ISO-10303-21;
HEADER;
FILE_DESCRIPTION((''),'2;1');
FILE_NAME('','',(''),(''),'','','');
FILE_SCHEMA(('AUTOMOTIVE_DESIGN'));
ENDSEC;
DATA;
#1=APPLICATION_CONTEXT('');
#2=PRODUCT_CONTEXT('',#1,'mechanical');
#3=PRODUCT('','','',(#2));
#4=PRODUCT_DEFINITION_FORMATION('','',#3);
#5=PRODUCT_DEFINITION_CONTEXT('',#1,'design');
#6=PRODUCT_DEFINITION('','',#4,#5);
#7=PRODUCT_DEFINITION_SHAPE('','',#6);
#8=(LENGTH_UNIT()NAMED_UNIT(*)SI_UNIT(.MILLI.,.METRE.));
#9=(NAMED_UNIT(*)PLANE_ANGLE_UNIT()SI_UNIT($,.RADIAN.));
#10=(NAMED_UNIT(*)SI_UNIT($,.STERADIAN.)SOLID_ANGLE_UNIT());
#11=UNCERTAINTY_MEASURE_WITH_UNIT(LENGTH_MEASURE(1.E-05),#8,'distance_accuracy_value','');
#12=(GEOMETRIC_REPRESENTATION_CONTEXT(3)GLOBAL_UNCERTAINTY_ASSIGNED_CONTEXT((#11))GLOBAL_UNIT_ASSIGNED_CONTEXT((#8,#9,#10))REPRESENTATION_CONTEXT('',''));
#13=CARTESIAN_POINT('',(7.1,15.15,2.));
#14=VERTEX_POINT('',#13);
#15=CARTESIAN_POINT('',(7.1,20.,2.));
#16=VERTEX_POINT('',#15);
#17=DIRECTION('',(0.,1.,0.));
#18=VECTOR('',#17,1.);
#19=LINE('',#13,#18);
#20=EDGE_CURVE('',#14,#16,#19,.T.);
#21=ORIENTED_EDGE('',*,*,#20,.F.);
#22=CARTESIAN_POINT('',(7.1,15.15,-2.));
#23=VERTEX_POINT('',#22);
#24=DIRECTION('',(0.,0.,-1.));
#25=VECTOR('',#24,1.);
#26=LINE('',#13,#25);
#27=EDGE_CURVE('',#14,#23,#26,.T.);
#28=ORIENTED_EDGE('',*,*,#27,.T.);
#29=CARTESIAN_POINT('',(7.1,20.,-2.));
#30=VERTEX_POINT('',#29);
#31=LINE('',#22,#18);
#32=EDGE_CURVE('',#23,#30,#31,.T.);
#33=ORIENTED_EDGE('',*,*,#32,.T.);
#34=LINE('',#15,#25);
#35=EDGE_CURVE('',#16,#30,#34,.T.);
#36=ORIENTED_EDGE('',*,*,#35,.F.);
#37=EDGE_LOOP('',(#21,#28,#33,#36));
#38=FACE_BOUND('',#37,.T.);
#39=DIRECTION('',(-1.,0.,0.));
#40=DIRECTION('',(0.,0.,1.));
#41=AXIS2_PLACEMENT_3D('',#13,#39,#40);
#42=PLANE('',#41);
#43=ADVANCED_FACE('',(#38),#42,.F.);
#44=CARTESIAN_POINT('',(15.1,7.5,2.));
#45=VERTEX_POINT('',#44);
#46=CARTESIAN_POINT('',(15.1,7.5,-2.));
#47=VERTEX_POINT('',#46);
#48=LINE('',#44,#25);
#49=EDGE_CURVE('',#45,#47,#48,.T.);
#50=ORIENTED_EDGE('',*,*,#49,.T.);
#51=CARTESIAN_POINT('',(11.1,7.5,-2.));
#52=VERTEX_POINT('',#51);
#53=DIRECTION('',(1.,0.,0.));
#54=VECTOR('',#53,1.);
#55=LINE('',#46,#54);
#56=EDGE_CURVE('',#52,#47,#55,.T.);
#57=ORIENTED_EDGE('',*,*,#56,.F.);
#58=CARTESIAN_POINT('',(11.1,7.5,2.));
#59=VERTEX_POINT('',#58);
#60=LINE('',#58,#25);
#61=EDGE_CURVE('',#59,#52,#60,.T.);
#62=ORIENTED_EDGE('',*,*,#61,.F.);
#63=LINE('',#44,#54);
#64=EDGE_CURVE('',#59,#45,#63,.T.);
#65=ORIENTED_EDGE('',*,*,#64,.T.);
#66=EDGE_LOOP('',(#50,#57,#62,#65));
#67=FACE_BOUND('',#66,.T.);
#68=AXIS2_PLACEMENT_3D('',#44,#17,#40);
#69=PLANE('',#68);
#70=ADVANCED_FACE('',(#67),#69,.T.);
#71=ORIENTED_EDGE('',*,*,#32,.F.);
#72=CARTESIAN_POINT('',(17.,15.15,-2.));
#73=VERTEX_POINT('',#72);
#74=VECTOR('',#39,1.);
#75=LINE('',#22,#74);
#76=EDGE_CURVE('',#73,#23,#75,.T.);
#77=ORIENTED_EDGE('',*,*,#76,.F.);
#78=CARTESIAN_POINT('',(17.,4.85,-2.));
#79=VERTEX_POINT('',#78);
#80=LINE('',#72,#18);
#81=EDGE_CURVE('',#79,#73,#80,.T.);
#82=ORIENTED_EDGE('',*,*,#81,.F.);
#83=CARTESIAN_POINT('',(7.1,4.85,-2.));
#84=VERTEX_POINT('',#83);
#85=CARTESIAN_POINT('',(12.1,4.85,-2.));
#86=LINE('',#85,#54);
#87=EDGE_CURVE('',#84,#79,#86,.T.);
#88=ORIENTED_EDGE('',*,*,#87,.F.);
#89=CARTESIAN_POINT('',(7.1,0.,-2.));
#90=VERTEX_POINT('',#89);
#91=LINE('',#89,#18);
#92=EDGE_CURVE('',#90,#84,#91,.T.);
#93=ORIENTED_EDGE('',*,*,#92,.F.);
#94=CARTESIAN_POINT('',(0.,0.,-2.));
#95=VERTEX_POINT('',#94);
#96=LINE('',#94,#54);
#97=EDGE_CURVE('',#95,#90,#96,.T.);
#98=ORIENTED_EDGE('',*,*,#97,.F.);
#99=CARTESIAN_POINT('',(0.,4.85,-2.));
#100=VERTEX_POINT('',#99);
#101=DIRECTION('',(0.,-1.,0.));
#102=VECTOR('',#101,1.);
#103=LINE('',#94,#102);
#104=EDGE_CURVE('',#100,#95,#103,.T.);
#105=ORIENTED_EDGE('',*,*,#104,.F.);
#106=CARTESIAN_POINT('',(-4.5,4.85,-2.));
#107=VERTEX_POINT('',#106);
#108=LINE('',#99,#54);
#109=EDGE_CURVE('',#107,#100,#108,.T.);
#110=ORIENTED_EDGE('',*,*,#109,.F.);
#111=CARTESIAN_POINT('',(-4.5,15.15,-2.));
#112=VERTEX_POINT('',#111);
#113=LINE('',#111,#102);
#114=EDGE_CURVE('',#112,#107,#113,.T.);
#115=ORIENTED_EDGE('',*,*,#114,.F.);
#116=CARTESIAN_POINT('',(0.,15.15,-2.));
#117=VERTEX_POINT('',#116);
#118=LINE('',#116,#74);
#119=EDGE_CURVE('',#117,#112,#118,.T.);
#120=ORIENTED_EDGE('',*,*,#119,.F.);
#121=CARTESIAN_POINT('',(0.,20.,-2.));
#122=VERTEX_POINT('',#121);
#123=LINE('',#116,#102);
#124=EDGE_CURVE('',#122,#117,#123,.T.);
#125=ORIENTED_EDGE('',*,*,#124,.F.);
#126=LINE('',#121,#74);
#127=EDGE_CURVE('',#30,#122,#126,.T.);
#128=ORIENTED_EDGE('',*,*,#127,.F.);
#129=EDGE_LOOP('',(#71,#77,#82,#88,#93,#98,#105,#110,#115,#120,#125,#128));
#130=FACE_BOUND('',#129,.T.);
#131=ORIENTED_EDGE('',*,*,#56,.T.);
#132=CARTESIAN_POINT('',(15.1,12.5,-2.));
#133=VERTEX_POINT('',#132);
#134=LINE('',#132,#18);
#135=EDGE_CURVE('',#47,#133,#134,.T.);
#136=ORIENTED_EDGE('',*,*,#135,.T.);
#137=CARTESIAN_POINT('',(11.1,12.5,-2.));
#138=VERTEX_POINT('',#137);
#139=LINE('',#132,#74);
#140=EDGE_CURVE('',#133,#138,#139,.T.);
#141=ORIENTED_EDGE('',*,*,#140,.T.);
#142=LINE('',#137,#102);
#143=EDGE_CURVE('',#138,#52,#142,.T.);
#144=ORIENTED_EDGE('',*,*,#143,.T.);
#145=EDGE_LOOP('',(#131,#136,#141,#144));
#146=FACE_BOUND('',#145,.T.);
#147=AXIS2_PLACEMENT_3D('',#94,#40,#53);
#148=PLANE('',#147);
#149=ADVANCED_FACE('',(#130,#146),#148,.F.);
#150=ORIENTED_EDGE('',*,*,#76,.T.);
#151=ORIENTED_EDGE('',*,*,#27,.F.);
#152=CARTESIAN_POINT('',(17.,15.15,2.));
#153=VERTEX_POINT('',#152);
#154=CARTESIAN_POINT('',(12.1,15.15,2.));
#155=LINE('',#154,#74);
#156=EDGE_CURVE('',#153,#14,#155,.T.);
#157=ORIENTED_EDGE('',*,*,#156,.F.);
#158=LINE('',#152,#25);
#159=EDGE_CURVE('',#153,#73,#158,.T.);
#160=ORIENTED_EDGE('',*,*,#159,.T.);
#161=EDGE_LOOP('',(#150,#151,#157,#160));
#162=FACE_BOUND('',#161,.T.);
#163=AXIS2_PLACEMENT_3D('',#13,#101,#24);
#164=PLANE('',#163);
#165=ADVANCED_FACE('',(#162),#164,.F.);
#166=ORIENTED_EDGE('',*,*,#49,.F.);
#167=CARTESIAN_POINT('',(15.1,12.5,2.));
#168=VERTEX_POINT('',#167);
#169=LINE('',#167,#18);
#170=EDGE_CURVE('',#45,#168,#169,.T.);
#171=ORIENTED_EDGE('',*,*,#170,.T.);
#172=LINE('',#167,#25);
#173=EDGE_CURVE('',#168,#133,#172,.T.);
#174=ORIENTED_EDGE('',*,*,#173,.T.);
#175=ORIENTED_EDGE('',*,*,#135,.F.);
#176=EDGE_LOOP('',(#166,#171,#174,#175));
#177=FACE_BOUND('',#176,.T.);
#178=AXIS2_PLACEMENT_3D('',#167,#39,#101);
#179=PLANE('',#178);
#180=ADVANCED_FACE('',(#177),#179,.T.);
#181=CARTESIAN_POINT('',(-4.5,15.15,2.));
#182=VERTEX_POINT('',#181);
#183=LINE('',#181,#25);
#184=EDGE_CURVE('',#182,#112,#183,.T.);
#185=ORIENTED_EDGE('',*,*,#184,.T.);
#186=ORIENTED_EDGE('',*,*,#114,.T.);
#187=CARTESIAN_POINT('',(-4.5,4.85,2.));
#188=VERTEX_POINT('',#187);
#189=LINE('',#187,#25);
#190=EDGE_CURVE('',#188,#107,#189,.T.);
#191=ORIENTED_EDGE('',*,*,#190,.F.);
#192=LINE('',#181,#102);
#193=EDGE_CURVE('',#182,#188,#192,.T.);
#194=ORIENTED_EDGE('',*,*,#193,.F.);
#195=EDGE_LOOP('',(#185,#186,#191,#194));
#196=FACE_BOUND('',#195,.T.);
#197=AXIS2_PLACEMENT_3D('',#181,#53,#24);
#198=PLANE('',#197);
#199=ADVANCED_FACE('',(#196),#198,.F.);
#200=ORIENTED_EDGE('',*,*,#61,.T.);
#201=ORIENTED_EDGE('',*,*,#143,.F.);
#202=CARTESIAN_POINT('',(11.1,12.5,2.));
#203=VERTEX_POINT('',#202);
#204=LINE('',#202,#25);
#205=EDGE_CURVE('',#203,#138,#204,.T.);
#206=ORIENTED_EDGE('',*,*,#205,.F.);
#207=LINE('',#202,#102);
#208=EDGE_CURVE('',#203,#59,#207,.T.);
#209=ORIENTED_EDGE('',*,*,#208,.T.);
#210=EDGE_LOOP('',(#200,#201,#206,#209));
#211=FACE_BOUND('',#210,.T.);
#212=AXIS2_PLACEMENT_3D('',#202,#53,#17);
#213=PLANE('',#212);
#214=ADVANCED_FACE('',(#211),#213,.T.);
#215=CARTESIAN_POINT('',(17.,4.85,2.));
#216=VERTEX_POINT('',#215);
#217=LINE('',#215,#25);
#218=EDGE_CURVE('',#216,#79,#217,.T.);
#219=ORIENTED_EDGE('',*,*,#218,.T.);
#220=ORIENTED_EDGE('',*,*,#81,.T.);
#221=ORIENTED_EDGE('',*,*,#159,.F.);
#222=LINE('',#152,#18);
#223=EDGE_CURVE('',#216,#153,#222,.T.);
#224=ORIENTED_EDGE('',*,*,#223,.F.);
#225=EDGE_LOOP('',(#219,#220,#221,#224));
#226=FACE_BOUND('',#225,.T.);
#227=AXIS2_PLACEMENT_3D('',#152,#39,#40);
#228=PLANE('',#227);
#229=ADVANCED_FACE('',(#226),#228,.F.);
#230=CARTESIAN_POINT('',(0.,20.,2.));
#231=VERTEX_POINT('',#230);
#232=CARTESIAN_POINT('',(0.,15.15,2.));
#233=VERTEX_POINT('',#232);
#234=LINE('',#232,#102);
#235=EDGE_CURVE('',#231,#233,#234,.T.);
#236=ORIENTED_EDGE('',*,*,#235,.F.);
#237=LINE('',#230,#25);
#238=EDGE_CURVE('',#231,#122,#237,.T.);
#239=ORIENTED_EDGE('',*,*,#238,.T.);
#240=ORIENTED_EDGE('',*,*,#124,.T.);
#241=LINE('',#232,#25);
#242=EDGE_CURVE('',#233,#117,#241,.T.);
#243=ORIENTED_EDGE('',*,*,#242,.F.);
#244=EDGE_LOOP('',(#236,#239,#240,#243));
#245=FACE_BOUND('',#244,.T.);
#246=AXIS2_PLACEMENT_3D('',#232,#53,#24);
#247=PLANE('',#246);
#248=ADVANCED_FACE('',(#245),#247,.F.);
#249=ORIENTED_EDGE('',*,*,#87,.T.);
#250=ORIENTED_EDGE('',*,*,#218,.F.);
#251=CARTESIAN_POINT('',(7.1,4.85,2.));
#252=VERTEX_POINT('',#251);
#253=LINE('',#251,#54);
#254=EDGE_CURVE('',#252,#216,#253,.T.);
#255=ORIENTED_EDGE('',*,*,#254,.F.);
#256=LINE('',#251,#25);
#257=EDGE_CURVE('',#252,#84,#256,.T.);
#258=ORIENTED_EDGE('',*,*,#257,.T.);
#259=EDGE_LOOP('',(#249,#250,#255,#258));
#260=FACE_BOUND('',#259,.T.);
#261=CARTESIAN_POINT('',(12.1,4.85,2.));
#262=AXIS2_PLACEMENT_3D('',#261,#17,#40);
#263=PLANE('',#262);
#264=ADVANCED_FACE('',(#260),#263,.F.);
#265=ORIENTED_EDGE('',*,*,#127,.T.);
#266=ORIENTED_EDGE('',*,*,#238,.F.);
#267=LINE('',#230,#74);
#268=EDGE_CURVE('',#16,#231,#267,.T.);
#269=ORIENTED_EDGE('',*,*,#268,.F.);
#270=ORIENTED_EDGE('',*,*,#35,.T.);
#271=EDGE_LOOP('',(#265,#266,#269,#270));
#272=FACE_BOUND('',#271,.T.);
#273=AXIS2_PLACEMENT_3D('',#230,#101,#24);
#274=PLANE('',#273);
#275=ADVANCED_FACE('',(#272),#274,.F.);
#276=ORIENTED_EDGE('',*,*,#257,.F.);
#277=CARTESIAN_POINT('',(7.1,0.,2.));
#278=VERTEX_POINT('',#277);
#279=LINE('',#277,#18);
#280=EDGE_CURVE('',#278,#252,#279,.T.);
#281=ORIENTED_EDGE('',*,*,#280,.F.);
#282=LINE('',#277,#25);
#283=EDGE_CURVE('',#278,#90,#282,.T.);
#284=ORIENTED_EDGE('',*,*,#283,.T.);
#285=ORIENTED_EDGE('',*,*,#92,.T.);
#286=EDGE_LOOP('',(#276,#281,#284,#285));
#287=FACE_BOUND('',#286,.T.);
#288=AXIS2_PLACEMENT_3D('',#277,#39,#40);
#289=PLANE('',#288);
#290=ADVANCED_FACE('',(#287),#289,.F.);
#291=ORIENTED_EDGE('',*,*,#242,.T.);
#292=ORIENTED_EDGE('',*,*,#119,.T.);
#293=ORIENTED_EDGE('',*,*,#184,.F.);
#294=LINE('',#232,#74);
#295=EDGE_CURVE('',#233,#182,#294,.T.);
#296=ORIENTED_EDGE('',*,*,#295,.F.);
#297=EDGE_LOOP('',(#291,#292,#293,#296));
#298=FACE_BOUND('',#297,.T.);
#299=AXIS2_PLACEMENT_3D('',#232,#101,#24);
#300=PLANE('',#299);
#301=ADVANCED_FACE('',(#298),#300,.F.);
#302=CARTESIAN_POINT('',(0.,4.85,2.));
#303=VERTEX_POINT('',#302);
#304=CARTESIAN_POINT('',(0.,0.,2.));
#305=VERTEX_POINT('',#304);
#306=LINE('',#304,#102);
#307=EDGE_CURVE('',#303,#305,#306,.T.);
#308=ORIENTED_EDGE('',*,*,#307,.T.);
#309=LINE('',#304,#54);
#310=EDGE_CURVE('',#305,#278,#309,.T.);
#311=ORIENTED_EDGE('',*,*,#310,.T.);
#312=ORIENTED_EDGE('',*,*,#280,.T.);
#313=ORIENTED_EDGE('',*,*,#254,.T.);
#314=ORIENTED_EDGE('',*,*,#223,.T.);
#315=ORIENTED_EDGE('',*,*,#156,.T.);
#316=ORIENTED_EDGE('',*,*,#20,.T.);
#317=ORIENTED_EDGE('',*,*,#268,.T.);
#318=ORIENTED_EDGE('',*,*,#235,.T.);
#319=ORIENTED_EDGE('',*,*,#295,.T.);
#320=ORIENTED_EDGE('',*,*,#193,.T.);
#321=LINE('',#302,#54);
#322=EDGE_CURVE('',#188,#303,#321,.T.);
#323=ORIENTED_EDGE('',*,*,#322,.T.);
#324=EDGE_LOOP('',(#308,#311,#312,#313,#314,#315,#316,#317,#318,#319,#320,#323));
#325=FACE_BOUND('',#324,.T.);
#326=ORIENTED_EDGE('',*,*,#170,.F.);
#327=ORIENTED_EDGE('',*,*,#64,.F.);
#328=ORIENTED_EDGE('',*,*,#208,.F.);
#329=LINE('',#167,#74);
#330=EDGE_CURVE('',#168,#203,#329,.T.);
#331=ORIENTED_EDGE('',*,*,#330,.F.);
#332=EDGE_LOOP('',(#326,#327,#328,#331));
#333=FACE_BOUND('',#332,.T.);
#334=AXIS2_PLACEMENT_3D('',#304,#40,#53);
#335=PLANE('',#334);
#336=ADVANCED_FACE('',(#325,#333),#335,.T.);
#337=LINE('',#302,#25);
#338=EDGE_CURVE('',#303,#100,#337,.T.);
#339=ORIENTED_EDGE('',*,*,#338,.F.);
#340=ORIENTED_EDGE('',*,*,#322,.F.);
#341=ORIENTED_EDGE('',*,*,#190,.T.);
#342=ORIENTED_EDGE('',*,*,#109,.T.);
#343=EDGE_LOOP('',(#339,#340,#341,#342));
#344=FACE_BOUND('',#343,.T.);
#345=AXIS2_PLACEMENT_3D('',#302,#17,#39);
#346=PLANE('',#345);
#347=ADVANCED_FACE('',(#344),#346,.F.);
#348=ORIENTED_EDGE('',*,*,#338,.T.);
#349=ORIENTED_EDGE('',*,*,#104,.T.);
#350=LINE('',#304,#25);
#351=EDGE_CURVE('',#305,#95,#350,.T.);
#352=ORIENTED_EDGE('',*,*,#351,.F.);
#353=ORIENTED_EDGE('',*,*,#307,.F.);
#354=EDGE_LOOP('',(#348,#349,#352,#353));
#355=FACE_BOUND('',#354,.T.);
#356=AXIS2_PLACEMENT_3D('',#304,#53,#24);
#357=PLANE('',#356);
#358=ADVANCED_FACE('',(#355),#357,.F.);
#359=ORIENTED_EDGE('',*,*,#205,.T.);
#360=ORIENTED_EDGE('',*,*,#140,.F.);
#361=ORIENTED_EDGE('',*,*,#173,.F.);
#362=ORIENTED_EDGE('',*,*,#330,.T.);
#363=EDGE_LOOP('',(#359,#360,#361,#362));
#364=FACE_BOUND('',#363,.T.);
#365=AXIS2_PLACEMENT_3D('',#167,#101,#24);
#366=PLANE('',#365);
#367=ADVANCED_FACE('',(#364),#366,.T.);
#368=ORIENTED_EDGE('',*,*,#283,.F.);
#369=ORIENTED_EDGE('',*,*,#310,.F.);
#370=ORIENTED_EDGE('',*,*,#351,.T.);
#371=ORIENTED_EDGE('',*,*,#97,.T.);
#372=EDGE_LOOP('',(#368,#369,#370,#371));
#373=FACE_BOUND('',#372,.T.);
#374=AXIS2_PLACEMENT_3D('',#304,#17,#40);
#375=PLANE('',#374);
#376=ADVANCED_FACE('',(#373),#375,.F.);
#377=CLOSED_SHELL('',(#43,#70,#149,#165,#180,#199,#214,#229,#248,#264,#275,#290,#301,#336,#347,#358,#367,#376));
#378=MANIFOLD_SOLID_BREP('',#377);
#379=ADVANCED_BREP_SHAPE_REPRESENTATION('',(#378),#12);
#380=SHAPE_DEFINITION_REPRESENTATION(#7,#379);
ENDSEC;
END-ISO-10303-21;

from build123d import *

# Parameters (mm, degrees)
SKETCH_1_W      = 4
SKETCH_1_H      = 5
EXTRUDE_1_DEPTH = 2


with BuildPart() as part:
    # 草图1 → 凸台-拉伸1 (new, symmetric)
    with BuildSketch(Plane.XY):
        Polygon((0, 15.15), (0, 20), (7.1, 20), (7.1, 15.15), (12.1, 15.15), (17, 15.15), (17, 4.85), (12.1, 4.85), (7.1, 4.85), (7.1, 0), (0, 0), (0, 4.85), (-4.5, 4.85), (-4.5, 15.15), align=None)
        with Locations((13.1, 10)):
            Rectangle(SKETCH_1_W, SKETCH_1_H, mode=Mode.SUBTRACT)
    extrude(amount=EXTRUDE_1_DEPTH, both=True)


solid = part.part
